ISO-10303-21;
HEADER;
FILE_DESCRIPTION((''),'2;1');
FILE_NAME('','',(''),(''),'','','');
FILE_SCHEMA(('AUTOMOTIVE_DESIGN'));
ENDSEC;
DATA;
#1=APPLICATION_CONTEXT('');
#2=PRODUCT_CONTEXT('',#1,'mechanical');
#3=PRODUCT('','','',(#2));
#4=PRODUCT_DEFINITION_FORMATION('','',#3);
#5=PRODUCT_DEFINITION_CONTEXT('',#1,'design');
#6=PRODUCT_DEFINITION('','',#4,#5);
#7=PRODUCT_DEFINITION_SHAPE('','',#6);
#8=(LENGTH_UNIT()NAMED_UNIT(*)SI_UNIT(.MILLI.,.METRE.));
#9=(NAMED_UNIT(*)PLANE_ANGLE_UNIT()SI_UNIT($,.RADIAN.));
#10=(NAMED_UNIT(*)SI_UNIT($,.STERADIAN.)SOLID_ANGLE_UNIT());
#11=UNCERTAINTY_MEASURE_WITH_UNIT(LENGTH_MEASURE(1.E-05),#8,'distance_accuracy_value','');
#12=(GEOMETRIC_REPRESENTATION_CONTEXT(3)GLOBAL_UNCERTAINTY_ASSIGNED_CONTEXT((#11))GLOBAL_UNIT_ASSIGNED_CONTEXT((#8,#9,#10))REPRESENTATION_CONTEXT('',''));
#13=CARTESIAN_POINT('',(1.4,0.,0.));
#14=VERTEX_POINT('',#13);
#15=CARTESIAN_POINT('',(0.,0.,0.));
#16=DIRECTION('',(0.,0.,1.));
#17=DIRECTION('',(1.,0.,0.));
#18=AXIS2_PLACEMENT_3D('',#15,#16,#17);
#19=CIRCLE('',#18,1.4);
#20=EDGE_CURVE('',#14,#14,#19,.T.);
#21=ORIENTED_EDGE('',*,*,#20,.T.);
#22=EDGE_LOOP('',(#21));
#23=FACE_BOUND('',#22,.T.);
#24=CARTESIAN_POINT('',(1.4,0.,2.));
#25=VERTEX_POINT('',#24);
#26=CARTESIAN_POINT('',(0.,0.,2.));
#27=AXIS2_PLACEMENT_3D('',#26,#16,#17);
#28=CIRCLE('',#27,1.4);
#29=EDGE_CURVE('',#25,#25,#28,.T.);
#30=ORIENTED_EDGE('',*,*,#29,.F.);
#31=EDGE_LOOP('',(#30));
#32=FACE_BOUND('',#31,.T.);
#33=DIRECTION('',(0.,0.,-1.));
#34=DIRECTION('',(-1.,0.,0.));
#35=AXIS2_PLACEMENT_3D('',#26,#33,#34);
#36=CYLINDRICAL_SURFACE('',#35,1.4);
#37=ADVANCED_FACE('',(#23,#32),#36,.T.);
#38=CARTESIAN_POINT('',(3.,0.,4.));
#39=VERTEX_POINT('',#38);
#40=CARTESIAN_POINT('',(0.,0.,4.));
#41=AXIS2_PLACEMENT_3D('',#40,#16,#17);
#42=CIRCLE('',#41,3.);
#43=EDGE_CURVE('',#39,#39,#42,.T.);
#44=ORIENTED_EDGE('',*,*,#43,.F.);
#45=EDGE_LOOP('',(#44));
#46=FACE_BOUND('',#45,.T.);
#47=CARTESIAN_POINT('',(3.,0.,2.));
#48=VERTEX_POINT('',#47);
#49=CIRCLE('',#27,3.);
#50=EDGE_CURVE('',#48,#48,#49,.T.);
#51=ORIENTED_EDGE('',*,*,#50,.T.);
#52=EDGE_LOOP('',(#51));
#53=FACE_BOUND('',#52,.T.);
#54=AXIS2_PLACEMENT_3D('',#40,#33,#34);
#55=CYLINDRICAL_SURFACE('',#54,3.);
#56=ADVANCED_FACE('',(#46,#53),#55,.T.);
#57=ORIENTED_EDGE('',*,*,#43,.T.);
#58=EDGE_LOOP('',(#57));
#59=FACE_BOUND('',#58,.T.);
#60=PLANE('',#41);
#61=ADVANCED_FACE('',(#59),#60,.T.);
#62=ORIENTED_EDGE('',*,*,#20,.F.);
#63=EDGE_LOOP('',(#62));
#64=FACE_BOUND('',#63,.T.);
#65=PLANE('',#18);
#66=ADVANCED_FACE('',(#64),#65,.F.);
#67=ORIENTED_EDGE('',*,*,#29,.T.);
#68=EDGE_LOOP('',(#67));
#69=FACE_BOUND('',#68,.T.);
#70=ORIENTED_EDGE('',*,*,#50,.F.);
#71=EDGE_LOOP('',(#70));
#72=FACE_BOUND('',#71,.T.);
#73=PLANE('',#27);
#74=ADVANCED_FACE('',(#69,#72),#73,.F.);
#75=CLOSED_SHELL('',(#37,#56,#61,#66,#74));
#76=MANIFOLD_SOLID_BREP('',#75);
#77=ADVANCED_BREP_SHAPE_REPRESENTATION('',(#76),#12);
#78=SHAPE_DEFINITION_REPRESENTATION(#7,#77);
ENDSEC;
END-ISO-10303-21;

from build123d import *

# Parameters (mm, degrees)
SKETCH_1_R      = 1.4
EXTRUDE_1_DEPTH = 2
SKETCH_2_R      = 3
EXTRUDE_2_DEPTH = 2


with BuildPart() as part:
    # Эскиз1 → Бобышка-Вытянуть1 (new body)
    with BuildSketch(Plane.XY):
        Circle(SKETCH_1_R)
    extrude(amount=EXTRUDE_1_DEPTH)

    # Эскиз2 → Бобышка-Вытянуть2 (add)
    with BuildSketch(Plane.XY.offset(2)):
        Circle(SKETCH_2_R)
    extrude(amount=EXTRUDE_2_DEPTH)


solid = part.part
